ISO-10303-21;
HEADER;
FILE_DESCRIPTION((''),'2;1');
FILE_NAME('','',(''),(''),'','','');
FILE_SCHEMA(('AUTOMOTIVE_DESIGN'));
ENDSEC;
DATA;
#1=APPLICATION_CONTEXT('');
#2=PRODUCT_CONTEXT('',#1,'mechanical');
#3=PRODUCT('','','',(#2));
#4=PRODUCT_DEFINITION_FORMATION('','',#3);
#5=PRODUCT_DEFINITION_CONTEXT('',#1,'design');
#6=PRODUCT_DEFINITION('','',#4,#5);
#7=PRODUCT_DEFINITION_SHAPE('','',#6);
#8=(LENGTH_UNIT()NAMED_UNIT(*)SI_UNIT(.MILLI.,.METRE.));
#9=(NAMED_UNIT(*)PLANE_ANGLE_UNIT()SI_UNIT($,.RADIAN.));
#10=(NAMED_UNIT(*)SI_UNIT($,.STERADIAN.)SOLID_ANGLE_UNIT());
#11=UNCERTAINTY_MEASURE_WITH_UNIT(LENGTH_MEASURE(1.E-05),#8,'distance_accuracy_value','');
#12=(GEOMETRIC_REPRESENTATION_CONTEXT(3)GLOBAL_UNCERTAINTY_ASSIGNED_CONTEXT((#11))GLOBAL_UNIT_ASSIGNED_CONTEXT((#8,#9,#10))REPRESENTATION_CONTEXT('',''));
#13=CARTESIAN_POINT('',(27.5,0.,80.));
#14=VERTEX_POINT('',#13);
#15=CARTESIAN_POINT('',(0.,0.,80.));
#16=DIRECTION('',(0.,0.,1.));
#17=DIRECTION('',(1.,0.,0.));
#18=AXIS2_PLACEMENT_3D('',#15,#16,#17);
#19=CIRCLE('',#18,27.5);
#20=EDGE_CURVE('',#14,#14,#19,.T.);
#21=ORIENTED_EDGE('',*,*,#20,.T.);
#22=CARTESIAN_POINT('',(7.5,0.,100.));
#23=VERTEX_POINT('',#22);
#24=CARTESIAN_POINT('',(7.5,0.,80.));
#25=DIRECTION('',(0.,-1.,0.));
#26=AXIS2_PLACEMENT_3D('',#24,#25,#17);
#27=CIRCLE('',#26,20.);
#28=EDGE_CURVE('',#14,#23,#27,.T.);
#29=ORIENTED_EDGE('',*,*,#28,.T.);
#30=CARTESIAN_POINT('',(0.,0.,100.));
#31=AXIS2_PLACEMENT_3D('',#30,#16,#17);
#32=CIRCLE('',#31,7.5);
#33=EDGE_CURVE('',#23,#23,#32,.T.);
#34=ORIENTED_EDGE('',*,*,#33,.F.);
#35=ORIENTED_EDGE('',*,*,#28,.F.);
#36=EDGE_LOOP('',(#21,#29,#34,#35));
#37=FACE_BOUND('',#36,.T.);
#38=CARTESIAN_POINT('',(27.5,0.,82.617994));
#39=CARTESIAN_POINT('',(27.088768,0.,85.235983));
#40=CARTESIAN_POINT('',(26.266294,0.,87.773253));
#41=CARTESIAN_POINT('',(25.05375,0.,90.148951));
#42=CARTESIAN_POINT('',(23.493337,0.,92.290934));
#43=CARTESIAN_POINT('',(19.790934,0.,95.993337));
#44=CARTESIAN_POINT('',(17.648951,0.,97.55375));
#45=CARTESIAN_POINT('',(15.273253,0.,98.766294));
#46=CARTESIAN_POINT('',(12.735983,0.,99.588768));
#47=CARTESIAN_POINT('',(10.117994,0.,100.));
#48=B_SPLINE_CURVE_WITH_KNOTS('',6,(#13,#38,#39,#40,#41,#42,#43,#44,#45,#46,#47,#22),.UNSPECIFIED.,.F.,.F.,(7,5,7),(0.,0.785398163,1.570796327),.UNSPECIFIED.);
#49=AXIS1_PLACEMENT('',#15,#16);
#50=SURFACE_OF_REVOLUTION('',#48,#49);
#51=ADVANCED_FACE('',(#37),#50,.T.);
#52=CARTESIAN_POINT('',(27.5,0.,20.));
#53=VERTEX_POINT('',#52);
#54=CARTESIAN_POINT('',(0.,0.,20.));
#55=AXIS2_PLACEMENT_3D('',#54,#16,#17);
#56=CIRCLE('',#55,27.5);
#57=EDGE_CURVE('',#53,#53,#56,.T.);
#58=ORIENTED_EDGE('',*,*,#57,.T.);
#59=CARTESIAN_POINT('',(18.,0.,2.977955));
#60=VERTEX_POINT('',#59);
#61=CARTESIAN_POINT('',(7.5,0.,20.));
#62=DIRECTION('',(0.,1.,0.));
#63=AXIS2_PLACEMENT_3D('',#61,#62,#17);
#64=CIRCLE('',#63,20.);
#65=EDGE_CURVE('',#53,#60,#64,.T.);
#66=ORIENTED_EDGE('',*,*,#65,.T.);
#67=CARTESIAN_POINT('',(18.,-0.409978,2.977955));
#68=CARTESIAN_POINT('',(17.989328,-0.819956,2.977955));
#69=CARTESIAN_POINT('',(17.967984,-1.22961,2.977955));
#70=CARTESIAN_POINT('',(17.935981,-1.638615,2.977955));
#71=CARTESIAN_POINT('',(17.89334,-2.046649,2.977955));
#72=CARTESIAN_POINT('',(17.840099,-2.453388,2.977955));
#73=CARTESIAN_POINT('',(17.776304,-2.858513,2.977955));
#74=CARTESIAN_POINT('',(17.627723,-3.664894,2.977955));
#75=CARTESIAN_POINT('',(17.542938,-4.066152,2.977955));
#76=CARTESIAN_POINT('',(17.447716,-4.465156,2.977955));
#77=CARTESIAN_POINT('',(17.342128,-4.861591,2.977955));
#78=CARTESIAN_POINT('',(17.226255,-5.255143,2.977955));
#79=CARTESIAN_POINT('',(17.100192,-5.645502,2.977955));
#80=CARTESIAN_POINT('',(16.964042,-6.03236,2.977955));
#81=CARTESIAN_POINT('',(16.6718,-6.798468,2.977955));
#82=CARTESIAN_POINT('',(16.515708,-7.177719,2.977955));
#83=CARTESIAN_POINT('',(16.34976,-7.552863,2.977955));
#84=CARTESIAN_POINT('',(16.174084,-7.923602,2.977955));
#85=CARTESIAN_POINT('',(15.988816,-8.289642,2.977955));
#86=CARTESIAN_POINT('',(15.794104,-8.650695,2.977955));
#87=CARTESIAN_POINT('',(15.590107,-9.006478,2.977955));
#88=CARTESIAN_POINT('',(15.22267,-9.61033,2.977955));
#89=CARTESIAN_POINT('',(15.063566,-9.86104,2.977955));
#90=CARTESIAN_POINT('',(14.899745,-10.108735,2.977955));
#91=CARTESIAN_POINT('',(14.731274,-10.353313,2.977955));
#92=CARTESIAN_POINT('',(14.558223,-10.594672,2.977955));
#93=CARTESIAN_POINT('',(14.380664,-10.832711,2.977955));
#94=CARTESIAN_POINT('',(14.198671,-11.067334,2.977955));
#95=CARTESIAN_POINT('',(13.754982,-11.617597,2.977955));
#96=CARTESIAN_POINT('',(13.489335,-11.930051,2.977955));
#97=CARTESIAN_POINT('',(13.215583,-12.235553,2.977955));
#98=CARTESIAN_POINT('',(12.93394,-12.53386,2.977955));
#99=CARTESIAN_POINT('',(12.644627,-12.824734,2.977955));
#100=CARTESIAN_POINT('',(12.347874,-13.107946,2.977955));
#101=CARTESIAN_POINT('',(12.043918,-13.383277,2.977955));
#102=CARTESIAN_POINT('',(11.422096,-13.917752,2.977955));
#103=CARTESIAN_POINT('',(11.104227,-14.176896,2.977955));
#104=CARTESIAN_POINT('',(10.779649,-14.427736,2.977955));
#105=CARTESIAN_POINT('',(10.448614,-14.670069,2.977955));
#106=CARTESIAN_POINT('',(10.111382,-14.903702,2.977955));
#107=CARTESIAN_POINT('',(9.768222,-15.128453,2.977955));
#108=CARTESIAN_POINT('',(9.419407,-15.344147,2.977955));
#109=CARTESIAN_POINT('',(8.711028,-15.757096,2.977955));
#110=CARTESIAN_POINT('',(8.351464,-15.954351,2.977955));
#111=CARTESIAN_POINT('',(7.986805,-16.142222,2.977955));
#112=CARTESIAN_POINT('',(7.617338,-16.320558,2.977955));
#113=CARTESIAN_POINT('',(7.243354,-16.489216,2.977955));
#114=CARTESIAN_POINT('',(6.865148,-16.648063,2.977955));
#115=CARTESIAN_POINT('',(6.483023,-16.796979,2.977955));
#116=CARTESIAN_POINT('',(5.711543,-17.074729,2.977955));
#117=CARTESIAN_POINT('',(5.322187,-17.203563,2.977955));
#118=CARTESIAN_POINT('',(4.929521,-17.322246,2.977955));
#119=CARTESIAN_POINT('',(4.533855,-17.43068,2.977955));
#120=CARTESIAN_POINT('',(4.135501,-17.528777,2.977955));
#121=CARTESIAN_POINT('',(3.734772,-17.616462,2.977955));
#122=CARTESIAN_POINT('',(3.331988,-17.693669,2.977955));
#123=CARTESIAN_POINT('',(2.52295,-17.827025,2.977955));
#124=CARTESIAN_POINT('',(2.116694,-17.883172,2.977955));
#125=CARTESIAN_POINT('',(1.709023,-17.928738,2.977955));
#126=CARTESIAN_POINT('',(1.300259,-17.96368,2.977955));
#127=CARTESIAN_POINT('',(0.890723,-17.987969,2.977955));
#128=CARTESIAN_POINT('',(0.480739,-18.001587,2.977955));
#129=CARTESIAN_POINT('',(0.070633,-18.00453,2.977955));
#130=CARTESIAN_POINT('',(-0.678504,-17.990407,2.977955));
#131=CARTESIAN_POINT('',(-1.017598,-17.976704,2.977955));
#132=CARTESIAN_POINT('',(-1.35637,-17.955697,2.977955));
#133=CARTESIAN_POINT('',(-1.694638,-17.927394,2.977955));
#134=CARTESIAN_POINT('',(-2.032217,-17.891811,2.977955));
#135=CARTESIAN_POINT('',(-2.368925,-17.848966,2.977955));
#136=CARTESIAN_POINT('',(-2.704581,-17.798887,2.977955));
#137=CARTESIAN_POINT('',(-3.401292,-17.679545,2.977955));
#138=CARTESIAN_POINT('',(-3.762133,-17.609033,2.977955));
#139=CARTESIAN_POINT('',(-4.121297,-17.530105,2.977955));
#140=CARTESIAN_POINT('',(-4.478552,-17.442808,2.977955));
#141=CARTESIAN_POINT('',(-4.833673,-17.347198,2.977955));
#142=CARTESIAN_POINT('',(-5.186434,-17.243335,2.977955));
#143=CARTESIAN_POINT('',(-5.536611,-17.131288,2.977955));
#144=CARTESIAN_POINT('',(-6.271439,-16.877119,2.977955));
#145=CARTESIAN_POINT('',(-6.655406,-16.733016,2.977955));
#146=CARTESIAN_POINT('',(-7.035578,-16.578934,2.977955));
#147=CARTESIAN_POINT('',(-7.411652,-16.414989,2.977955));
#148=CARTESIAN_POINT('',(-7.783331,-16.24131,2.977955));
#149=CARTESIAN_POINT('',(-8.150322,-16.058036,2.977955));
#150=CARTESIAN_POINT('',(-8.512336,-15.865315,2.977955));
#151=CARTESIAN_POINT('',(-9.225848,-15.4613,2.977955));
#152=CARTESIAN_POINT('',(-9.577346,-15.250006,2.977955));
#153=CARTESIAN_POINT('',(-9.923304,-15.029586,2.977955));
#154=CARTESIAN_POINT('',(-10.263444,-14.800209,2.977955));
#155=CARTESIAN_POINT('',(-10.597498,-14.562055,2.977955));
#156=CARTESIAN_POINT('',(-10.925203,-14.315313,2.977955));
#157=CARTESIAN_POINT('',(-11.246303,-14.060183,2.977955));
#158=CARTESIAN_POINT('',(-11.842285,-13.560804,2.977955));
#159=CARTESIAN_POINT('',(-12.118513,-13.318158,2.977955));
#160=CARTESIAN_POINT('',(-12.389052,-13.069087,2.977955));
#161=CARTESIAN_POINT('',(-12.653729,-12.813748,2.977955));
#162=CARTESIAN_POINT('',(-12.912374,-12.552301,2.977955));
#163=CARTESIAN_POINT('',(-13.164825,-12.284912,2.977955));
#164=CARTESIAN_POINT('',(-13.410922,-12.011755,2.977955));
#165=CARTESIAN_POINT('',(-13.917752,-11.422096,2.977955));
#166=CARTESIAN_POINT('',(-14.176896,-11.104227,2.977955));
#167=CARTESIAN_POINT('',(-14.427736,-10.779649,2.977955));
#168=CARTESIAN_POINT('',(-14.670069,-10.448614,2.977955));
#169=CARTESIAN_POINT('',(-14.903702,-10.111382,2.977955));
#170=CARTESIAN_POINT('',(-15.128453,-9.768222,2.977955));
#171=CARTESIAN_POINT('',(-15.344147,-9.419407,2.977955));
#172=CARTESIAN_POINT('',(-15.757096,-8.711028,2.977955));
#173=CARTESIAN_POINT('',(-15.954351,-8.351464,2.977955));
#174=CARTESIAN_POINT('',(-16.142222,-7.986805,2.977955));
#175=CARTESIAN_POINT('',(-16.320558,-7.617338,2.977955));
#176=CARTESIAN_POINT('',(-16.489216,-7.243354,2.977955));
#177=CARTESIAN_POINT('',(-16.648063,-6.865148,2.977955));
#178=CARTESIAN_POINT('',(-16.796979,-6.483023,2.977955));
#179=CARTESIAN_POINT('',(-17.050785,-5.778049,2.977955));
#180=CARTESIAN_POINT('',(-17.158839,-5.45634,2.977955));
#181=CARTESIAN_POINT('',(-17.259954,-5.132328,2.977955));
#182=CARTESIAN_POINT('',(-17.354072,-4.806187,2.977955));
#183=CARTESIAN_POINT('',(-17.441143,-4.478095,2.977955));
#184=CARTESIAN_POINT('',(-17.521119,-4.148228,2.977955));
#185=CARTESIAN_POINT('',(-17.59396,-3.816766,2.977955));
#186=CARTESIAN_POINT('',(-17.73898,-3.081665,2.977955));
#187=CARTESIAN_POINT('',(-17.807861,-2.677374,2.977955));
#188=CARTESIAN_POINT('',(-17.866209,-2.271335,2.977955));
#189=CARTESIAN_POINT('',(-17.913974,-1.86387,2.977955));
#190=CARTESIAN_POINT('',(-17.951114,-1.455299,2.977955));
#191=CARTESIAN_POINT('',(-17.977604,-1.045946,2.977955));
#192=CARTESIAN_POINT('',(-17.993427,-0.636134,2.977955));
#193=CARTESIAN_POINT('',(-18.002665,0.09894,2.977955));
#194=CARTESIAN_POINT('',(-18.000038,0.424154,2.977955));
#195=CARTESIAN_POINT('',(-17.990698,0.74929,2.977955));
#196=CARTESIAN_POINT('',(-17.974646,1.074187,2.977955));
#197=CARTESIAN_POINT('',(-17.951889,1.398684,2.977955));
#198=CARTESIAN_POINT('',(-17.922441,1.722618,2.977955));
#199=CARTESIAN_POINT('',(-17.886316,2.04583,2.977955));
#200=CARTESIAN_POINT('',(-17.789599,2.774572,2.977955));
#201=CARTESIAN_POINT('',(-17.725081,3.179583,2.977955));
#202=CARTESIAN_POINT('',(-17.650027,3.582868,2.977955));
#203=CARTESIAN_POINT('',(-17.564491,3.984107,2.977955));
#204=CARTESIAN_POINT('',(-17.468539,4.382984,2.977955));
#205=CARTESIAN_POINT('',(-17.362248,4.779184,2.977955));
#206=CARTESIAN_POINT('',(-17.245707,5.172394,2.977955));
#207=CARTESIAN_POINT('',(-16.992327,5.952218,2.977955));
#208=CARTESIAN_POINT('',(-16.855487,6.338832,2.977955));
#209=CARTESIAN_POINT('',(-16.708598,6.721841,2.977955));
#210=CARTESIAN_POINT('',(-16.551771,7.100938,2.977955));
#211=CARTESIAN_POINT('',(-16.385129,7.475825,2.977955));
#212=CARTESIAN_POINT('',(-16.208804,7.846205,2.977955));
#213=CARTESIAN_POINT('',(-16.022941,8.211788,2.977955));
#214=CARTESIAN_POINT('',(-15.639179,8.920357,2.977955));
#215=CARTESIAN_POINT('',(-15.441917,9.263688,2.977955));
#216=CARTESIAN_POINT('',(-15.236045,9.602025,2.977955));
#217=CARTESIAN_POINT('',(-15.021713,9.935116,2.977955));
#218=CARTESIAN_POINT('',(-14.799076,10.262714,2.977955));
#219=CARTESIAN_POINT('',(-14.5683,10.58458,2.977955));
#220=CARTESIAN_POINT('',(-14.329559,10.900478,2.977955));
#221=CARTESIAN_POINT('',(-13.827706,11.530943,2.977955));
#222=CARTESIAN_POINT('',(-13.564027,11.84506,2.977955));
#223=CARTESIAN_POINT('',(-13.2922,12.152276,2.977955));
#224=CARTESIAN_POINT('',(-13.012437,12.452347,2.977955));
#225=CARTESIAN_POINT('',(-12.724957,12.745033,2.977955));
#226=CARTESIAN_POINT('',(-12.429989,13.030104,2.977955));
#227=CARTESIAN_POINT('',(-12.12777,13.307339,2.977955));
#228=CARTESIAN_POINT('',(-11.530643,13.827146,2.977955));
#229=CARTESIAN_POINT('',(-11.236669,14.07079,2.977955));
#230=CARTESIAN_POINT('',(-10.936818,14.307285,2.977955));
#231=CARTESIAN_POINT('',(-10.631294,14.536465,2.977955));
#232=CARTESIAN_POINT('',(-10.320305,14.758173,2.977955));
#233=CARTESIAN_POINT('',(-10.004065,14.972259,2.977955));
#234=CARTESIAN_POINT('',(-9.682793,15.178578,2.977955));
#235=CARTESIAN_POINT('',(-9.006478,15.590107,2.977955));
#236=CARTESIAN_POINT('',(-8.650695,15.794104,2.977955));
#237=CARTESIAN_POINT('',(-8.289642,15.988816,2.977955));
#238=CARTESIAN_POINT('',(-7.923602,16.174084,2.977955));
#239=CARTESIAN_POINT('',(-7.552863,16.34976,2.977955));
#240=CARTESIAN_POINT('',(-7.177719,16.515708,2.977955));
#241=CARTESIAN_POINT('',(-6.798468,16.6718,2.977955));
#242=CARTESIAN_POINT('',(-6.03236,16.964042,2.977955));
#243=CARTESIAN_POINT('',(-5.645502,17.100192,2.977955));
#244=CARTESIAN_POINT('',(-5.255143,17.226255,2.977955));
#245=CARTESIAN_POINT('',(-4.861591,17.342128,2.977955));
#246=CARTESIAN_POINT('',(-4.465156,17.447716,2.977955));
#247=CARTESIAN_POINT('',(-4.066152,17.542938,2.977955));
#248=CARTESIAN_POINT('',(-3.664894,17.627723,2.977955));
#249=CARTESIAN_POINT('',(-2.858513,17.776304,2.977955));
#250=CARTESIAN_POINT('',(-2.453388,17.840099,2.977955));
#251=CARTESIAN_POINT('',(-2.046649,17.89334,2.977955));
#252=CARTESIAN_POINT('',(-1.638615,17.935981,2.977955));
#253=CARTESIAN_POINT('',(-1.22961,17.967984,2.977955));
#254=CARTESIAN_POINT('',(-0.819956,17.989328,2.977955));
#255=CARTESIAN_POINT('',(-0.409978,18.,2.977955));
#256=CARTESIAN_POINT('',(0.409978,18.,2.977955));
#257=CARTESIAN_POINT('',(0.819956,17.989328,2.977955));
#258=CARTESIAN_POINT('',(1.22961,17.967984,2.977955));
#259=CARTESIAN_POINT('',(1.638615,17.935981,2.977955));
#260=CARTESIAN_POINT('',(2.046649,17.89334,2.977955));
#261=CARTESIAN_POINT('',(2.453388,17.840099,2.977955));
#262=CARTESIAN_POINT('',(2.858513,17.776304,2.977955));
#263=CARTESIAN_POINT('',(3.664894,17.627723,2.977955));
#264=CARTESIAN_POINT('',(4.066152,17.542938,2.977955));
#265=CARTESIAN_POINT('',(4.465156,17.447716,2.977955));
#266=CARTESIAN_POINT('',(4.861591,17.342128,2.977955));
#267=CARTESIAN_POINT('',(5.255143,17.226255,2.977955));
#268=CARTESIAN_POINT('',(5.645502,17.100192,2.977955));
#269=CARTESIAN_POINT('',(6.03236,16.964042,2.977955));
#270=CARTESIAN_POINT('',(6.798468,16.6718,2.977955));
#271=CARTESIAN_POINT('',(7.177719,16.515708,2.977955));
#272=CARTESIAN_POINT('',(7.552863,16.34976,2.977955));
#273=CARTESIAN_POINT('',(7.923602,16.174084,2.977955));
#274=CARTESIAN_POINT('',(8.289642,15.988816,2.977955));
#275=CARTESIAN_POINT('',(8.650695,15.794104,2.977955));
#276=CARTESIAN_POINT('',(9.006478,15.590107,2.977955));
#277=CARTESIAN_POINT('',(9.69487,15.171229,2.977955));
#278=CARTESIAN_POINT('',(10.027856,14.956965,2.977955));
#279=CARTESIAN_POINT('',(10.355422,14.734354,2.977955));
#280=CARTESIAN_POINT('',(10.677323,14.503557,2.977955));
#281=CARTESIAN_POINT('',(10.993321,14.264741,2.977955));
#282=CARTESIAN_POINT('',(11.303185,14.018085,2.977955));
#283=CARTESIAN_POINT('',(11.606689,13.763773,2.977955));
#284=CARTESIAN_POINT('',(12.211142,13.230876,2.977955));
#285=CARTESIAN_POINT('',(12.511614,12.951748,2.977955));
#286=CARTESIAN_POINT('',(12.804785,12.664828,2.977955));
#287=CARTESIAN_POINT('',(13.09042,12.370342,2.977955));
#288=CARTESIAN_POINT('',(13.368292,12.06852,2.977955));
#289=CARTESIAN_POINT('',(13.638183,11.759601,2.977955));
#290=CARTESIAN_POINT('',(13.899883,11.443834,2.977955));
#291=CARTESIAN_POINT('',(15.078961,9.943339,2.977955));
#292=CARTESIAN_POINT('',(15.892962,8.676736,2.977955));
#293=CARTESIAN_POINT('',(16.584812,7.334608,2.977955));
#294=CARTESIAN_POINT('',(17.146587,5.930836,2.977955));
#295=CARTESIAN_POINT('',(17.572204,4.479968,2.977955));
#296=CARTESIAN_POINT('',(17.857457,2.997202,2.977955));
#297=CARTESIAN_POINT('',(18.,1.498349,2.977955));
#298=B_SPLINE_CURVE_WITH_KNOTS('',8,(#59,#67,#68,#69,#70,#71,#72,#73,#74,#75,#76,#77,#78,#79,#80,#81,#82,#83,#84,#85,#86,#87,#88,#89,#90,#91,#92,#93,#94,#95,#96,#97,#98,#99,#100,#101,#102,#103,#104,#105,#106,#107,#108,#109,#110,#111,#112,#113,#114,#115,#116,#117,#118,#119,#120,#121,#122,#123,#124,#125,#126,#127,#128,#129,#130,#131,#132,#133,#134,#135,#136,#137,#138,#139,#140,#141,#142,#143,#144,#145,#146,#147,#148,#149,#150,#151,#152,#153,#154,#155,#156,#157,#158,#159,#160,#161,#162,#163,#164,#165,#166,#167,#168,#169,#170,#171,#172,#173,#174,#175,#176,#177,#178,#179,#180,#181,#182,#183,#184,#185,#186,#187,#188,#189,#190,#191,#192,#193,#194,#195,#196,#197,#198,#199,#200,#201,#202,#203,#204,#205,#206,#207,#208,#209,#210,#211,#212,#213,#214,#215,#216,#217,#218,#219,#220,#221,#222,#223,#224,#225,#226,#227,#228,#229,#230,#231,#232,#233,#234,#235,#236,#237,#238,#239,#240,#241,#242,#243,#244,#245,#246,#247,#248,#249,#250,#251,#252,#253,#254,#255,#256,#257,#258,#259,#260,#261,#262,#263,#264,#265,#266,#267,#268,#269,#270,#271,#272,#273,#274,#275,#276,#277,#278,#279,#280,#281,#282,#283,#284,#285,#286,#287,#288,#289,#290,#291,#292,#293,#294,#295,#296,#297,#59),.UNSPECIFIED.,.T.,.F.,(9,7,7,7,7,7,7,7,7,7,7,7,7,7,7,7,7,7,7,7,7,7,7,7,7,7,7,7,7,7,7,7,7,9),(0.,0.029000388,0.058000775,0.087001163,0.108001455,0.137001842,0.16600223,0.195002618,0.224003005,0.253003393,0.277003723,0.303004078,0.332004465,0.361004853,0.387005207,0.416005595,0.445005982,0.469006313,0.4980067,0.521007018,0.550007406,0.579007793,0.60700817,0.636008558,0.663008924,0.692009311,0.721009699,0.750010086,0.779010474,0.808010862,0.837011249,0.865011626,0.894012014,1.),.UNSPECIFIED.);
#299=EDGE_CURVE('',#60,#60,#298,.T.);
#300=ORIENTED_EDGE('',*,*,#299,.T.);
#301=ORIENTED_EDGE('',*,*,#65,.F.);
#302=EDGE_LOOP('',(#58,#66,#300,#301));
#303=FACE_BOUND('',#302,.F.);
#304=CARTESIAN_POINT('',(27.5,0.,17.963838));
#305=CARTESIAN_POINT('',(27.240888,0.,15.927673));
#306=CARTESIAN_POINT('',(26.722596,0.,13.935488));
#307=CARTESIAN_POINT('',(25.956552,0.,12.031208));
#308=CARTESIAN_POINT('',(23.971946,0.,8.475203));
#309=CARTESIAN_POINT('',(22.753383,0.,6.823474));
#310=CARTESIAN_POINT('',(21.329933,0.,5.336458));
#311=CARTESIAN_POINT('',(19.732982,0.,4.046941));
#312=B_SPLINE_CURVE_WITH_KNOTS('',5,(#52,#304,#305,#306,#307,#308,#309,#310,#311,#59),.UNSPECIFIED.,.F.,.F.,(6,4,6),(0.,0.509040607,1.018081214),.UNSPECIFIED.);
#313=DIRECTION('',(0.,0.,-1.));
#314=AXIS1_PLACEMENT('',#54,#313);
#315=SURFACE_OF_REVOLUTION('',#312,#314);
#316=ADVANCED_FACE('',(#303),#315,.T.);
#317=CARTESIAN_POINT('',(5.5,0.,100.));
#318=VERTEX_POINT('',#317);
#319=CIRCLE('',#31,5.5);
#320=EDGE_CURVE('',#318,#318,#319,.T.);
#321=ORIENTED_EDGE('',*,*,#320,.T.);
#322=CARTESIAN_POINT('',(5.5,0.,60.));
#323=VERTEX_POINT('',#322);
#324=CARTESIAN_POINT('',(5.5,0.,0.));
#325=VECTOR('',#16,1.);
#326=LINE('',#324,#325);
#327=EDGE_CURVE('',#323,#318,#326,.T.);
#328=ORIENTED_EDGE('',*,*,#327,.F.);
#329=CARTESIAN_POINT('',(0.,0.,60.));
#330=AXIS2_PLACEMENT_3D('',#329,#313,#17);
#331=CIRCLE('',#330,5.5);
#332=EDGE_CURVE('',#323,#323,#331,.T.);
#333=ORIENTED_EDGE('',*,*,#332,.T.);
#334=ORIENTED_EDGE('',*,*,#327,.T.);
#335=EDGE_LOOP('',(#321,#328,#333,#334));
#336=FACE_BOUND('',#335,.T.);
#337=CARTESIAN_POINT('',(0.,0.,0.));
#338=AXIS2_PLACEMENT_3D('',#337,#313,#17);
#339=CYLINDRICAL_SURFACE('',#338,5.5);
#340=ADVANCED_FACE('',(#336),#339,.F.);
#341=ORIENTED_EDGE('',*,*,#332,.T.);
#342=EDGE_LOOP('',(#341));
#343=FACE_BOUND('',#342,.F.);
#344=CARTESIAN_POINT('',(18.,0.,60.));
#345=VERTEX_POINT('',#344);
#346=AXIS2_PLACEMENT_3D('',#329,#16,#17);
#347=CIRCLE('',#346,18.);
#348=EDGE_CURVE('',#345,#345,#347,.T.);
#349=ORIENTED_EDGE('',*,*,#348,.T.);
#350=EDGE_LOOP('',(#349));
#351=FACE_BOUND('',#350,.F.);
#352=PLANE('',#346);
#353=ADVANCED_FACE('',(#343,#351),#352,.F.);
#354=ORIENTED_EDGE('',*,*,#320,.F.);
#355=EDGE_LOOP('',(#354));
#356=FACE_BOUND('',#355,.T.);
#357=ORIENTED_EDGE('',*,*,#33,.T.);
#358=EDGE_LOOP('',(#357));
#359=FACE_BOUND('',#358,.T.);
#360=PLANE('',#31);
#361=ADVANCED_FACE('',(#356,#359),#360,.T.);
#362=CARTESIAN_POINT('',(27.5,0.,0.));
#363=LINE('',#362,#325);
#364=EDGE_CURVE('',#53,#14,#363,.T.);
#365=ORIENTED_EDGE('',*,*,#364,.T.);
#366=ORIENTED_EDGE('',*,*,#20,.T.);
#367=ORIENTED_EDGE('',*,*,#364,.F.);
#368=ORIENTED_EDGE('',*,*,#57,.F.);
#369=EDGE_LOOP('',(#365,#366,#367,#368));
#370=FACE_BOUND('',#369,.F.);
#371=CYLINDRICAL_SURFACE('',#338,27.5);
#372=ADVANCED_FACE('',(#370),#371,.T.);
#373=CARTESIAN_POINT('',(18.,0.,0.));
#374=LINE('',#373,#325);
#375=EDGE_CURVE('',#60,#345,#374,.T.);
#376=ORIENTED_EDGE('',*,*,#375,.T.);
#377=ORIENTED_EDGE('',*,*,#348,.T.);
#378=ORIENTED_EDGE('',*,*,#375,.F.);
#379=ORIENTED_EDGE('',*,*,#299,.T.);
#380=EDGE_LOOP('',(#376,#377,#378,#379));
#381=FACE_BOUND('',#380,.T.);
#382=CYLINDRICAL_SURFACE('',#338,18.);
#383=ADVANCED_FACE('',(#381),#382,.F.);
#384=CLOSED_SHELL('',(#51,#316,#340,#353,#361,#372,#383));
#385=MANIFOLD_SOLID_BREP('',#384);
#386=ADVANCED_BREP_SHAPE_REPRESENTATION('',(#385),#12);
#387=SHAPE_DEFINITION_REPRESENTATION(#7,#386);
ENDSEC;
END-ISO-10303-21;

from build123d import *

# Parameters (mm, degrees)
F0_R     = 27.5
F0_R_2   = 19
F0_R_3   = 5.5
F1_DEPTH = 100
F2_R     = 20
F3_R     = 18
F4_DEPTH = 60


with BuildPart() as f1:
    # F0 (on Top) → F1 (new body)
    with BuildSketch(Plane.XY):
        Circle(F0_R)
        Circle(F0_R_2, mode=Mode.SUBTRACT)
        Circle(F0_R_2)
        Circle(F0_R_3, mode=Mode.SUBTRACT)
    extrude(amount=F1_DEPTH)

    # F2
    f2_edges = [f1.edges().sort_by_distance(p)[0] for p in [
        (-27.5, 0, 100),
        (-27.5, 0, 0),
    ]]
    fillet(f2_edges, radius=F2_R)


with BuildPart() as f4:
    # F3 (on Top) → F4 (new body)
    with BuildSketch(Plane.XY):
        Circle(F3_R)
    extrude(amount=F4_DEPTH)


with BuildPart() as f1_1:
    add(f1.part)

    # F5: cut F4
    add(f4.part, mode=Mode.SUBTRACT)


solid = f1_1.part
